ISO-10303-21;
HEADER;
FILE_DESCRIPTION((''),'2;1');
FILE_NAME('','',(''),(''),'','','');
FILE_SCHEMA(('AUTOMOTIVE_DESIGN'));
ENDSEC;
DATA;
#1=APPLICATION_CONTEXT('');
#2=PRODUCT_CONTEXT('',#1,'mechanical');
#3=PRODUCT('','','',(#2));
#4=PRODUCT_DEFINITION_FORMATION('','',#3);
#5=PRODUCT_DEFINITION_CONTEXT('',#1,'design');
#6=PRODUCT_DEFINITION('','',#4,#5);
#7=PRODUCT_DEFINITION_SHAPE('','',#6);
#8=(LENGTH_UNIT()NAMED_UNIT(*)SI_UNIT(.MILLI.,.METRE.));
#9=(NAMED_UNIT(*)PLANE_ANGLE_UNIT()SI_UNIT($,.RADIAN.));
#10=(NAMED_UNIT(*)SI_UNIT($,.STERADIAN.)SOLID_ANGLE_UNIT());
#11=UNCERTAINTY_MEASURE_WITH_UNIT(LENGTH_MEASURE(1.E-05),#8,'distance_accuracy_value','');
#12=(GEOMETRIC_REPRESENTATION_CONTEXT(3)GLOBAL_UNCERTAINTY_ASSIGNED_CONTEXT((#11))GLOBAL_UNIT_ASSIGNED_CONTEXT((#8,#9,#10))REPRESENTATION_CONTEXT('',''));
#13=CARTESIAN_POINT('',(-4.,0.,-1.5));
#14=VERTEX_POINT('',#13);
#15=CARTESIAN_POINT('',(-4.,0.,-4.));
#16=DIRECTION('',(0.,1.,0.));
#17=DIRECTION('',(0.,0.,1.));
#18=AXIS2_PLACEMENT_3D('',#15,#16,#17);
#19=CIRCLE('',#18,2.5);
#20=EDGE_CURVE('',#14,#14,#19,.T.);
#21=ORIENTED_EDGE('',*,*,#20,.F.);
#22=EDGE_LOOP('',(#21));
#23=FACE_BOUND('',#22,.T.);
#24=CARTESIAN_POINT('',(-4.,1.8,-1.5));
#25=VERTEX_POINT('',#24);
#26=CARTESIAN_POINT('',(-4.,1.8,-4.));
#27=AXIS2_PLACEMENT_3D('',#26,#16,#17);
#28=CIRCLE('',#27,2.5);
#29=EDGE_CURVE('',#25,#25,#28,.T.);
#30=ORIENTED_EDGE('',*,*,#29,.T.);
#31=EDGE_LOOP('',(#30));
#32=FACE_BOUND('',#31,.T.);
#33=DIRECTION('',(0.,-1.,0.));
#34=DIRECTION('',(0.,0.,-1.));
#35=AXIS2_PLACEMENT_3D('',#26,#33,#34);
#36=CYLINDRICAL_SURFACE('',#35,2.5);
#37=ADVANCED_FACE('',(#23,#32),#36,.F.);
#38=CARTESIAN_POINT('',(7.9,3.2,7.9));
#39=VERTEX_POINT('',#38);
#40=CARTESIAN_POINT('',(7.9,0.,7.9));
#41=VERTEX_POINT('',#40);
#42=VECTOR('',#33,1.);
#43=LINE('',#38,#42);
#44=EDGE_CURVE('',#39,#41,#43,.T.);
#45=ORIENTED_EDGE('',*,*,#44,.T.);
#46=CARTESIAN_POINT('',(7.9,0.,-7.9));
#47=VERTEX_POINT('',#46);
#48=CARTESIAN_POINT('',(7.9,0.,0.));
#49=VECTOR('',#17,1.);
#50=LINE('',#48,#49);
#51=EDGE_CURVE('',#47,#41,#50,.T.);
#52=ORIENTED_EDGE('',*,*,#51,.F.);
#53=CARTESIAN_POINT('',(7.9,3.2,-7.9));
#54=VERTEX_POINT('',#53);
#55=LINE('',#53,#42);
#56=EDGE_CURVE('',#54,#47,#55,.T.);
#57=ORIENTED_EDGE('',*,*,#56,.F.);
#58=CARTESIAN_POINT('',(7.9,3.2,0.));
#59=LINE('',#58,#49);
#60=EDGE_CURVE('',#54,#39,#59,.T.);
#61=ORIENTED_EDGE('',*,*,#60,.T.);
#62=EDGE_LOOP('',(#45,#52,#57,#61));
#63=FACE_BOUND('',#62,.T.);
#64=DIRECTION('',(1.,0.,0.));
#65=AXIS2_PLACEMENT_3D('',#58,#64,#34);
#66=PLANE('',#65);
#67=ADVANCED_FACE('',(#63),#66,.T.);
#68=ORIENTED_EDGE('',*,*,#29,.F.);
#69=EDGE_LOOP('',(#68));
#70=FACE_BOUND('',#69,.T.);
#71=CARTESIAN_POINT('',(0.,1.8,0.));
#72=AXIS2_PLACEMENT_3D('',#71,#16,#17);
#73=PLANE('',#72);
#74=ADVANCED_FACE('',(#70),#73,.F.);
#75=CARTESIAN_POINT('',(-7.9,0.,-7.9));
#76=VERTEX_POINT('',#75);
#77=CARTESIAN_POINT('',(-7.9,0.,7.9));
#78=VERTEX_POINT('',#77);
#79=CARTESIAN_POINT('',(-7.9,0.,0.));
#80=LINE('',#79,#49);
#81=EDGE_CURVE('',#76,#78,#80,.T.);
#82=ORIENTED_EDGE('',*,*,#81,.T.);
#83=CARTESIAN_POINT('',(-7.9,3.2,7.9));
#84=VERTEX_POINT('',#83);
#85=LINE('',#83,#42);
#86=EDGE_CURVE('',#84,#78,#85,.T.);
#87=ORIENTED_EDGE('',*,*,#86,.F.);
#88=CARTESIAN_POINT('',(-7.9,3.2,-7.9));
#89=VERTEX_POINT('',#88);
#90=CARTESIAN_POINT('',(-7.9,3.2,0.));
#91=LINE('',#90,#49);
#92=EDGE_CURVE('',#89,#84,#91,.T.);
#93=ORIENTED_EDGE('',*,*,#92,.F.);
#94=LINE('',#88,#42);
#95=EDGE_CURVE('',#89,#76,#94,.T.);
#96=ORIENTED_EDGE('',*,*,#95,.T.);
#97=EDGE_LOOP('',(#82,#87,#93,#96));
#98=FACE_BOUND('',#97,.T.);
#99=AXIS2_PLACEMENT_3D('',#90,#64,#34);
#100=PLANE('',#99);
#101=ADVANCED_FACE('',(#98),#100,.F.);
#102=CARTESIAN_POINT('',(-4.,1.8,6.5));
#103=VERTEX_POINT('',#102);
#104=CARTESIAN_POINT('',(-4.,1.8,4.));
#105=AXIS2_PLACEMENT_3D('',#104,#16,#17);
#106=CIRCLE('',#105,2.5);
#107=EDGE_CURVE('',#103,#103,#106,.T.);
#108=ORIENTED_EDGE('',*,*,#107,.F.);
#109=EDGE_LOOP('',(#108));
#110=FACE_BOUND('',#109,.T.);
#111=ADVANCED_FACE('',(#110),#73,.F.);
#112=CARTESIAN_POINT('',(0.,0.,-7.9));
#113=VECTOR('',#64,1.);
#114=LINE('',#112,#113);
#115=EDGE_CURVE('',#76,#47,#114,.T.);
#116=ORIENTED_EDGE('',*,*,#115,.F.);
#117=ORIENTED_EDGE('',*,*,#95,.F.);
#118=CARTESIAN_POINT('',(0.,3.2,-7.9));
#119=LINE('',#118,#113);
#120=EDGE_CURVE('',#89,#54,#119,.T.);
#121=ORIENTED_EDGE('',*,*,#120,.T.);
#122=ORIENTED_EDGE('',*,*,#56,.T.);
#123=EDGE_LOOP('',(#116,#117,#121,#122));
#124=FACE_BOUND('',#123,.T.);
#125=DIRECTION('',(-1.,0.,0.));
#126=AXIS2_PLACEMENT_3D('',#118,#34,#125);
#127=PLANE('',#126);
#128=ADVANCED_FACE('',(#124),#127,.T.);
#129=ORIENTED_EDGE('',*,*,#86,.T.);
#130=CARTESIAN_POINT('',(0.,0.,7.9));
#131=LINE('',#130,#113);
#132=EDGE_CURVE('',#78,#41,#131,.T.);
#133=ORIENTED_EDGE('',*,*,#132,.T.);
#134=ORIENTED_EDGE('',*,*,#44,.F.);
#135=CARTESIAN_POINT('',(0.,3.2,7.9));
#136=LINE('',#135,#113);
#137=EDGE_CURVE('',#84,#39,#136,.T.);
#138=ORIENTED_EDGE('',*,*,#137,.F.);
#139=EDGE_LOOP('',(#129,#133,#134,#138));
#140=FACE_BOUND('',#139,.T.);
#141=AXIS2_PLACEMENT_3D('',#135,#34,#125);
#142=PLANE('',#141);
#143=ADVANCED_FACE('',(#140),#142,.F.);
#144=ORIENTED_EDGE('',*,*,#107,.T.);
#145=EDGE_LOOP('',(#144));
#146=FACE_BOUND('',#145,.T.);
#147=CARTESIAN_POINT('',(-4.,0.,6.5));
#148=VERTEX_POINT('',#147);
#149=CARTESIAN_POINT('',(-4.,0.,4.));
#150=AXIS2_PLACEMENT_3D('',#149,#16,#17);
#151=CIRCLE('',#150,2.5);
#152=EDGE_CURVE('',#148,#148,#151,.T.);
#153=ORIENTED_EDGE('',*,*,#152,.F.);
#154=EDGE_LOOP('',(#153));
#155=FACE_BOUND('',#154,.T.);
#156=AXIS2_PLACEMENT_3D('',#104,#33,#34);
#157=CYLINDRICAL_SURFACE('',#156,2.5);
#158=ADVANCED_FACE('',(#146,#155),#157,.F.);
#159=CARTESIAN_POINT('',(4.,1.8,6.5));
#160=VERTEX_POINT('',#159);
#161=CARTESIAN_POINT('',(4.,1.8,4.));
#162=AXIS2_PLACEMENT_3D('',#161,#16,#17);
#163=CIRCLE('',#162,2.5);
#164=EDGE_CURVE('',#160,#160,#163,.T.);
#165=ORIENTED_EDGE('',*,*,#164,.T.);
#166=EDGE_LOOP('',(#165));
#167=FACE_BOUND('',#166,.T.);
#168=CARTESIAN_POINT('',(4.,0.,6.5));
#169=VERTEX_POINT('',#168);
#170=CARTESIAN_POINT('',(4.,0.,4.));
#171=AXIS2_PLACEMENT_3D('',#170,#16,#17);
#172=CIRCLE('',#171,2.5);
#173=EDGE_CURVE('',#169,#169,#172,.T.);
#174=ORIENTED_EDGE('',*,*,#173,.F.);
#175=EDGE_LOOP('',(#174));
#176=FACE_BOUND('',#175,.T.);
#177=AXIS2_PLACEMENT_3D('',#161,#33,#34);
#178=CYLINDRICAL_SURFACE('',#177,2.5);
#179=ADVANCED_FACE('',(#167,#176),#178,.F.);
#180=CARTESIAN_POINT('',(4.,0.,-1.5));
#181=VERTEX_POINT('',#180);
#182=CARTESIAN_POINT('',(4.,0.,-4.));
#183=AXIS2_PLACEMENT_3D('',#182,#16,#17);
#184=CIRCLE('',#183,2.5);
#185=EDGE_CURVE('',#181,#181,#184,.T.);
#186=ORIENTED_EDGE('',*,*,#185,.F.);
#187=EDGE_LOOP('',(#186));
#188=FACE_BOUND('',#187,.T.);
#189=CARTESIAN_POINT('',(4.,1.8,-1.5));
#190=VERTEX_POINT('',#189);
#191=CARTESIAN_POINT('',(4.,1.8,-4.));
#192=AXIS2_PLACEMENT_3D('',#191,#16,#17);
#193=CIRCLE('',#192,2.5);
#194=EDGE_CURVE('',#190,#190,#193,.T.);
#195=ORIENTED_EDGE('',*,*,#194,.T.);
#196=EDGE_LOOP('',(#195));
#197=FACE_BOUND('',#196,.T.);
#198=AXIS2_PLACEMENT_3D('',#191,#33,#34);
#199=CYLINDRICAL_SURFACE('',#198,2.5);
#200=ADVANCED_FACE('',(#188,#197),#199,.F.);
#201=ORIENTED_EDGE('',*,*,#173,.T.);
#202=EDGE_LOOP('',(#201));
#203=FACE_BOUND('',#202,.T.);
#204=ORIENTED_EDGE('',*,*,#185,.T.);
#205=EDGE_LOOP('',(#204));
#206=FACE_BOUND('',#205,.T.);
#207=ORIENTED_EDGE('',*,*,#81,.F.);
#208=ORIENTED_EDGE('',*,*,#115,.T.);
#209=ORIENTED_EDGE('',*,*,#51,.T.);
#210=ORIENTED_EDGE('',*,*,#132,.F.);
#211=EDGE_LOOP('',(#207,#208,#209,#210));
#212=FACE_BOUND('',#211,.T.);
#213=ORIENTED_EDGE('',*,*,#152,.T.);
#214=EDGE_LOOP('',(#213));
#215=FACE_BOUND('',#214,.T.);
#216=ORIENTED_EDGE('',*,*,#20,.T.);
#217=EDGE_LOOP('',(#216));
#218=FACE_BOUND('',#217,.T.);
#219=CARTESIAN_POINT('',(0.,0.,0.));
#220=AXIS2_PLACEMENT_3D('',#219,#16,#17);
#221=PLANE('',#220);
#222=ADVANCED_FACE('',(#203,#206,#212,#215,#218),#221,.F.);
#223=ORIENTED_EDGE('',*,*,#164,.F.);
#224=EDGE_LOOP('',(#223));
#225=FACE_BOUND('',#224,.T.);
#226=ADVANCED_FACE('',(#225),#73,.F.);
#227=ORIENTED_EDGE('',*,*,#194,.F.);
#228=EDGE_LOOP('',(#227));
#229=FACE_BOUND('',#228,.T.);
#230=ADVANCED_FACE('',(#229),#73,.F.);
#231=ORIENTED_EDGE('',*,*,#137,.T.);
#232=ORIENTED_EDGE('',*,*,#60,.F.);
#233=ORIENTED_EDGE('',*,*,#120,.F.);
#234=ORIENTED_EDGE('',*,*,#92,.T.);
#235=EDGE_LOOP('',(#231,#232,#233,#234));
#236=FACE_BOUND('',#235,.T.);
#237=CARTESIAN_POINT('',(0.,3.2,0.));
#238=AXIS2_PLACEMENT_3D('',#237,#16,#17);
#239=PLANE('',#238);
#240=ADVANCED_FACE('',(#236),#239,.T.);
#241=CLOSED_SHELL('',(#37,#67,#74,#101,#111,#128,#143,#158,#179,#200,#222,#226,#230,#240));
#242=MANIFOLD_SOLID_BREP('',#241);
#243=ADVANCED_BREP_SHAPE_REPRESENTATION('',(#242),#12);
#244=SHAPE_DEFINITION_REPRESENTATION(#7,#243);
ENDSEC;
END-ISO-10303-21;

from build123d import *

# Parameters (mm, degrees)
SKETCH_1_W          = 15.8
SKETCH_1_H          = 15.8
EXTRUDE_1_DEPTH     = 3.2
SKETCH_1_5_R        = 2.5
CUT_EXTRUDE_1_DEPTH = 1.8


with BuildPart() as part:
    # Эскиз1 → Бобышка-Вытянуть1 (new body)
    with BuildSketch(Plane(origin=(0, 0, 0), x_dir=(1, 0, 0), z_dir=(0, 1, 0))):
        Rectangle(SKETCH_1_W, SKETCH_1_H)
    extrude(amount=EXTRUDE_1_DEPTH)

    # Эскиз1<5> → Вырез-Вытянуть1 (cut)
    with BuildSketch(Plane(origin=(0, 0, 0), x_dir=(1, 0, 0), z_dir=(0, 1, 0))):
        with Locations((4, 4)):
            Circle(SKETCH_1_5_R)
        with Locations((-4, 4)):
            Circle(SKETCH_1_5_R)
        with Locations((-4, -4)):
            Circle(SKETCH_1_5_R)
        with Locations((4, -4)):
            Circle(SKETCH_1_5_R)
    extrude(amount=CUT_EXTRUDE_1_DEPTH, mode=Mode.SUBTRACT)


solid = part.part
